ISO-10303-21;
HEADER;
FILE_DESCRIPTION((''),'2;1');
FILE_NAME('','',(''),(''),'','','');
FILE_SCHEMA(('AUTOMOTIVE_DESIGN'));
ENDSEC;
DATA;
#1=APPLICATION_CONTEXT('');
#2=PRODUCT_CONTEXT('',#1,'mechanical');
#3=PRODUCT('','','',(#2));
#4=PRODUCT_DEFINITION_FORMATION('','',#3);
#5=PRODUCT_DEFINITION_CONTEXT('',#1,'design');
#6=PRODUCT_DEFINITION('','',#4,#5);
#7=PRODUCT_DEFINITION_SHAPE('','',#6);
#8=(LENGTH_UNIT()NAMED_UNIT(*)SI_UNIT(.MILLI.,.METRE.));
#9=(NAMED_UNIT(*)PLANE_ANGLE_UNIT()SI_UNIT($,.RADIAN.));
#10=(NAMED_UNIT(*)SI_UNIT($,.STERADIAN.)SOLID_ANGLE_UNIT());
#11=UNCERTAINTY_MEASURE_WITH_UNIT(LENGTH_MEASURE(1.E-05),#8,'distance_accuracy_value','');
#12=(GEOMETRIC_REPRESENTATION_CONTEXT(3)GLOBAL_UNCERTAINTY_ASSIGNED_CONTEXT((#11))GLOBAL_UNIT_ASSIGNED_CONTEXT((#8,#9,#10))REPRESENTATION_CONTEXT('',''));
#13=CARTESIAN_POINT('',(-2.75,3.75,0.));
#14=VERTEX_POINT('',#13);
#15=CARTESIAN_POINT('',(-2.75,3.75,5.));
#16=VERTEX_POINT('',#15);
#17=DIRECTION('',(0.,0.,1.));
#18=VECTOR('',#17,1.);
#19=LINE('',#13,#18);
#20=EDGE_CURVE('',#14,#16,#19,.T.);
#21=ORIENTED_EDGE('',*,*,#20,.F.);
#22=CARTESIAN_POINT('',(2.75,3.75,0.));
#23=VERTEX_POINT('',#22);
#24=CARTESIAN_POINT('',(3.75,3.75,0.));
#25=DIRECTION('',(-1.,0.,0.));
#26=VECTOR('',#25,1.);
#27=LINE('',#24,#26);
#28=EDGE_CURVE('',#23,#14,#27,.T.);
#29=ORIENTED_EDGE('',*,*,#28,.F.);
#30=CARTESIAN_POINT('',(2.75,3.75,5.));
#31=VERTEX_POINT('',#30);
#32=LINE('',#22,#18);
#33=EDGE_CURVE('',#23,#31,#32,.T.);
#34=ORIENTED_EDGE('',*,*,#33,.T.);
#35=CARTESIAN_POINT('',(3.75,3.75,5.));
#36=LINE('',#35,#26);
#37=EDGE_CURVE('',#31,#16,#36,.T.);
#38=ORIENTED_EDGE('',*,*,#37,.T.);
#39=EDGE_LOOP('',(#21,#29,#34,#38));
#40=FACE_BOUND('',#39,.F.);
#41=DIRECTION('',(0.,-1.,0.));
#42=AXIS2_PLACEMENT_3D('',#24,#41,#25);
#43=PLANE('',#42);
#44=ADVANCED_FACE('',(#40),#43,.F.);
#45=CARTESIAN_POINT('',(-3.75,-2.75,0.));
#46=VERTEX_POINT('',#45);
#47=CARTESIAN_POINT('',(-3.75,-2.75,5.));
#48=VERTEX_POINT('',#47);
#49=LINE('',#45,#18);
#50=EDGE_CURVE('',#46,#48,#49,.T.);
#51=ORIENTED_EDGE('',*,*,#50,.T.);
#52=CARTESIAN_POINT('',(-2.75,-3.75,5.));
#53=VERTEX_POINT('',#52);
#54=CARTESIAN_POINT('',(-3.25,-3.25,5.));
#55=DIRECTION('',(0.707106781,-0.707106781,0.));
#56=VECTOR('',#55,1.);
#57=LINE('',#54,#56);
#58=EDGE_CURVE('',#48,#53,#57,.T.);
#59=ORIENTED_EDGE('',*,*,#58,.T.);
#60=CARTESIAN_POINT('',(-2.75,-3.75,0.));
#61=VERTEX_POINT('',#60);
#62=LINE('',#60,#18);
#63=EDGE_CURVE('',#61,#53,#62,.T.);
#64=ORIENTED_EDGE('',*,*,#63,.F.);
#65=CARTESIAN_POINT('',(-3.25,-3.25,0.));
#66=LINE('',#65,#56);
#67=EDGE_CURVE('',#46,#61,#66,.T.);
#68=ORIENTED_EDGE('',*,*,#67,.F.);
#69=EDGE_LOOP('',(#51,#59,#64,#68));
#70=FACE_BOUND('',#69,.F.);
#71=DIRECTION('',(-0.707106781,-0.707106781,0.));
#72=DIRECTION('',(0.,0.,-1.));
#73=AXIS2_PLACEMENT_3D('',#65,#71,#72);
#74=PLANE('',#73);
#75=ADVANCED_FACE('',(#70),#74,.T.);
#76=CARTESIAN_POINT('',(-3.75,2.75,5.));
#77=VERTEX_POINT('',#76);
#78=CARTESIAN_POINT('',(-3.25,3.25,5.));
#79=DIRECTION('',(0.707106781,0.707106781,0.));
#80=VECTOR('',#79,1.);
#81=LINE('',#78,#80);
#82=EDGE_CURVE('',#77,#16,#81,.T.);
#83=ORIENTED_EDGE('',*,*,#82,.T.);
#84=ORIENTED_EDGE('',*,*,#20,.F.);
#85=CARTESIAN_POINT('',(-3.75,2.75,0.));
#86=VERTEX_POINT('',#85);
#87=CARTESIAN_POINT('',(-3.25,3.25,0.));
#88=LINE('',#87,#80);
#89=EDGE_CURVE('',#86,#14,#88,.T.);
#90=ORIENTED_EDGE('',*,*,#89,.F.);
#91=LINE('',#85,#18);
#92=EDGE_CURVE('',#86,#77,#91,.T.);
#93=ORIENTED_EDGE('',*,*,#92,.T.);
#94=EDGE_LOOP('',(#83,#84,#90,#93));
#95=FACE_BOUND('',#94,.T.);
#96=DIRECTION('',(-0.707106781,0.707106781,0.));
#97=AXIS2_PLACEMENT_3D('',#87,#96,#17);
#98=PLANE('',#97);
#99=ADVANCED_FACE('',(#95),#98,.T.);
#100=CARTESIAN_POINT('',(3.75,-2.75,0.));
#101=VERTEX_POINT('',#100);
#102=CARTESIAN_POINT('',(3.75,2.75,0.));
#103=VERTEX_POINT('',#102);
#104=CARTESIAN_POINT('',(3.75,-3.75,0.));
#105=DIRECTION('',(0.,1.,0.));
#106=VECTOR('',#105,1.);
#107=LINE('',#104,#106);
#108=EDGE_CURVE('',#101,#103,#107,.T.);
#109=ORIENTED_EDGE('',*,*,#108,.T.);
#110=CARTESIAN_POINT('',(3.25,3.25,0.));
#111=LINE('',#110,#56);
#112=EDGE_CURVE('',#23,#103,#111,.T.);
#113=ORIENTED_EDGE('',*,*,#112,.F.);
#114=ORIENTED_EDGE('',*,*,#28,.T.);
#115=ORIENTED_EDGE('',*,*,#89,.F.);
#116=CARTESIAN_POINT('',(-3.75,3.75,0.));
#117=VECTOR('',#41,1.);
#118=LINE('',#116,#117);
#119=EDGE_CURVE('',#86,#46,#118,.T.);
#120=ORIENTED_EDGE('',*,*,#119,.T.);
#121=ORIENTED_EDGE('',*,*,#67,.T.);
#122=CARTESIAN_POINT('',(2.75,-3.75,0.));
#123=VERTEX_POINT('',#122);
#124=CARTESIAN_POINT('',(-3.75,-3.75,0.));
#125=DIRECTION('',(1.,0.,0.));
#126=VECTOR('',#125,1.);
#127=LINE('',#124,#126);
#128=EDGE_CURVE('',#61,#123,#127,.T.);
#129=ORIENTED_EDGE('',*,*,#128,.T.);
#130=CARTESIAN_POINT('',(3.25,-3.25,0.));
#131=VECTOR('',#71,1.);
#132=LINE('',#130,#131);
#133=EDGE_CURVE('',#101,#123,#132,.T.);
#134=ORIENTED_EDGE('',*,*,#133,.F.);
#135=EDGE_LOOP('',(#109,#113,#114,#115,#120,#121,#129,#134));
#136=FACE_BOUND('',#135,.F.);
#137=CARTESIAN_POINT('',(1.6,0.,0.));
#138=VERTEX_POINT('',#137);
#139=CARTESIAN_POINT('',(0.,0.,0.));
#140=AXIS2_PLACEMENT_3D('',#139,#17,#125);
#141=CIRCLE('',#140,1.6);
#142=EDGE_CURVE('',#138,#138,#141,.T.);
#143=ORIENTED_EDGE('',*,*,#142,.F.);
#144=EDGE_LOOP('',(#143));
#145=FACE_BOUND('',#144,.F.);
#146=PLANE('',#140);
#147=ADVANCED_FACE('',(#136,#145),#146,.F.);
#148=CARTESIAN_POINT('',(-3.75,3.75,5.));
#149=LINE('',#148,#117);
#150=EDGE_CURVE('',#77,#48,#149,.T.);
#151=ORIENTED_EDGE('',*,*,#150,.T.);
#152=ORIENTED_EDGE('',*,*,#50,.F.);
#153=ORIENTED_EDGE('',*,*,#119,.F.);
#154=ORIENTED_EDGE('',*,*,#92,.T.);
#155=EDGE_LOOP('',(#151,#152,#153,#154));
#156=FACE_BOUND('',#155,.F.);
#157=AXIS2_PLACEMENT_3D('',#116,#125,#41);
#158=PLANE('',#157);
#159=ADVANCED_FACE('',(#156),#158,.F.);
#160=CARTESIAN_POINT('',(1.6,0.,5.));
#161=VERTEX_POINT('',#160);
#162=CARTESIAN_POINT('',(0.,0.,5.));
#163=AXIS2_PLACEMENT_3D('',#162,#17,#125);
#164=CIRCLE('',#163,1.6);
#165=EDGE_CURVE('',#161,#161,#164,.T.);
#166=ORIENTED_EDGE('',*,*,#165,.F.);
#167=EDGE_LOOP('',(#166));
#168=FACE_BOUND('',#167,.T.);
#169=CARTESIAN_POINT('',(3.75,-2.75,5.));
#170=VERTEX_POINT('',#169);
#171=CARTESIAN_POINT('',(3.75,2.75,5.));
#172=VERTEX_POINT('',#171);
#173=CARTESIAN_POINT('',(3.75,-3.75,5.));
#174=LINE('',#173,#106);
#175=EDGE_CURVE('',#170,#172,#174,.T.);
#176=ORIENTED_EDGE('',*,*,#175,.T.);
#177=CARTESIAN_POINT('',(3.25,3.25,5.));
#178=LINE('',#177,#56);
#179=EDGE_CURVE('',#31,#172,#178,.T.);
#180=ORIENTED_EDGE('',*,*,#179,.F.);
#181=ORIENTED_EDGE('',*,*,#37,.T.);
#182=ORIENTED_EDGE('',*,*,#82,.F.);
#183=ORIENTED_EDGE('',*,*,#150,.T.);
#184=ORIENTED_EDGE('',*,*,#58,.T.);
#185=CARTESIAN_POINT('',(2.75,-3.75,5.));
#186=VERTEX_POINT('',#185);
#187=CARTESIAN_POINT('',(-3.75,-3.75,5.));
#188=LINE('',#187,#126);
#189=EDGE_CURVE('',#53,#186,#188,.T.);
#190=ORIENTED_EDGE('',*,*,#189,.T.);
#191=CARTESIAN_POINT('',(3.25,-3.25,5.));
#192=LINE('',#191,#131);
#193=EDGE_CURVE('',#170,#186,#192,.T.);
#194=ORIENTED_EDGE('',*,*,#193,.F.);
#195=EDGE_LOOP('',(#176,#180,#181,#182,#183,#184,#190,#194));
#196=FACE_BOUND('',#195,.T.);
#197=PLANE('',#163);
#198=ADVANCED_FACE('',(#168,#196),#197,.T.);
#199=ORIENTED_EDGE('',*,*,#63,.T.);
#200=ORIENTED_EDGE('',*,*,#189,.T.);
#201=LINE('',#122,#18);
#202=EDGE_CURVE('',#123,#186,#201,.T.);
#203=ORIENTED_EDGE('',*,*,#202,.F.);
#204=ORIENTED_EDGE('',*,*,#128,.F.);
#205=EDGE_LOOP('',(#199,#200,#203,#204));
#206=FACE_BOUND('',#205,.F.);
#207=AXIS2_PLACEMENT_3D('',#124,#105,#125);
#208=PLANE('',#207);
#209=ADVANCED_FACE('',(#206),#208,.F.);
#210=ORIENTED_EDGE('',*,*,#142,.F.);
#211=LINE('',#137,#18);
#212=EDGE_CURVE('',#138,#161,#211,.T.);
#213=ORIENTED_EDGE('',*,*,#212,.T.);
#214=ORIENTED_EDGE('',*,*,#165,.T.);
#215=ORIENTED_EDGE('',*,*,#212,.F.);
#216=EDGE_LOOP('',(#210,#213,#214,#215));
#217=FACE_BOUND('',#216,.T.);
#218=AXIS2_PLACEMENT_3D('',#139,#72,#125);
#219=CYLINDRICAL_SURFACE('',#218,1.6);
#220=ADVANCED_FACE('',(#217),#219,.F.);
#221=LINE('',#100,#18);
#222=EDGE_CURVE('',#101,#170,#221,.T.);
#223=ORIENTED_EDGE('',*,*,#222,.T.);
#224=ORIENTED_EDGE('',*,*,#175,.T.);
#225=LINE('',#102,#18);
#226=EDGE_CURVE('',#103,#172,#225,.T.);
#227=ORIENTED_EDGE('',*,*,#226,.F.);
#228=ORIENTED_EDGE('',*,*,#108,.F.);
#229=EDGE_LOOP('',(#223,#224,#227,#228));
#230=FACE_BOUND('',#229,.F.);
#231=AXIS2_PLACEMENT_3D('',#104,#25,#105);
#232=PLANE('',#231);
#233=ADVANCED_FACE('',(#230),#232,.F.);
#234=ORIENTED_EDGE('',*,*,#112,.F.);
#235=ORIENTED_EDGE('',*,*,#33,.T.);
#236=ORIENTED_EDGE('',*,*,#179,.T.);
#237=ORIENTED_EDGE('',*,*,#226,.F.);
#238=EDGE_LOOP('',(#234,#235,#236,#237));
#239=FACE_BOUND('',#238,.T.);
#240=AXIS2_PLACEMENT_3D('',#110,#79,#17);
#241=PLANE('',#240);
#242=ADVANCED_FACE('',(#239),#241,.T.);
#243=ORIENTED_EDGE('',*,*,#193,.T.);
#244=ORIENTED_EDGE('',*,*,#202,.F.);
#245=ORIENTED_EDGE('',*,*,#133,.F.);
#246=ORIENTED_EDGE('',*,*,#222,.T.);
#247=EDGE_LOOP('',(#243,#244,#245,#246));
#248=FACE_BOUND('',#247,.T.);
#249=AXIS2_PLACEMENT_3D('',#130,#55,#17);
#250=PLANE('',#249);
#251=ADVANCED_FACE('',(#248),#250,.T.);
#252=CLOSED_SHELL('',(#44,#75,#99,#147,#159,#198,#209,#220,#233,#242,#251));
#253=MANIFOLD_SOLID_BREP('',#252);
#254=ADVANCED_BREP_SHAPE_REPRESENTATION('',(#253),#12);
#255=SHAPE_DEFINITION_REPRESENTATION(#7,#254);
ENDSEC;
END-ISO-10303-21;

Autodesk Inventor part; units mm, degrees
ref_plane "YZ Plane" through (0, 0, 0) normal (1, 0, 0) x (0, 1, 0)
ref_plane "XZ Plane" through (0, 0, 0) normal (0, 1, 0) x (-1, 0, 0)
ref_plane "XY Plane" through (0, 0, 0) normal (0, 0, 1) x (1, 0, 0)
sketch "Sketch1" plane through (0, 0, 0) normal (0, 0, 1) x (1, 0, 0)
  circle A0 centre (0, 0) radius 1.6
  line L0 (-3.75, -3.75) -> (3.75, -3.75)
  line L1 (3.75, -3.75) -> (3.75, 3.75)
  line L2 (3.75, 3.75) -> (-3.75, 3.75)
  line L3 (-3.75, 3.75) -> (-3.75, -3.75)
  point P0 (3.75, 0)
  point P1 (0, 3.75)
  dimension "d0" = 3.2
  dimension "d1" = 7.5
  dimension "d2" = 7.5
extrude "Extrusion1" add sketch "Sketch1" along normal blind 5
chamfer "Chamfer1" distance 1 angle 45 4 edges at (3.75, -3.75, 2.5) (-3.75, -3.75, 2.5) (-3.75, 3.75, 2.5) (3.75, 3.75, 2.5)
properties part number "EndEffector_holder_Touch"
